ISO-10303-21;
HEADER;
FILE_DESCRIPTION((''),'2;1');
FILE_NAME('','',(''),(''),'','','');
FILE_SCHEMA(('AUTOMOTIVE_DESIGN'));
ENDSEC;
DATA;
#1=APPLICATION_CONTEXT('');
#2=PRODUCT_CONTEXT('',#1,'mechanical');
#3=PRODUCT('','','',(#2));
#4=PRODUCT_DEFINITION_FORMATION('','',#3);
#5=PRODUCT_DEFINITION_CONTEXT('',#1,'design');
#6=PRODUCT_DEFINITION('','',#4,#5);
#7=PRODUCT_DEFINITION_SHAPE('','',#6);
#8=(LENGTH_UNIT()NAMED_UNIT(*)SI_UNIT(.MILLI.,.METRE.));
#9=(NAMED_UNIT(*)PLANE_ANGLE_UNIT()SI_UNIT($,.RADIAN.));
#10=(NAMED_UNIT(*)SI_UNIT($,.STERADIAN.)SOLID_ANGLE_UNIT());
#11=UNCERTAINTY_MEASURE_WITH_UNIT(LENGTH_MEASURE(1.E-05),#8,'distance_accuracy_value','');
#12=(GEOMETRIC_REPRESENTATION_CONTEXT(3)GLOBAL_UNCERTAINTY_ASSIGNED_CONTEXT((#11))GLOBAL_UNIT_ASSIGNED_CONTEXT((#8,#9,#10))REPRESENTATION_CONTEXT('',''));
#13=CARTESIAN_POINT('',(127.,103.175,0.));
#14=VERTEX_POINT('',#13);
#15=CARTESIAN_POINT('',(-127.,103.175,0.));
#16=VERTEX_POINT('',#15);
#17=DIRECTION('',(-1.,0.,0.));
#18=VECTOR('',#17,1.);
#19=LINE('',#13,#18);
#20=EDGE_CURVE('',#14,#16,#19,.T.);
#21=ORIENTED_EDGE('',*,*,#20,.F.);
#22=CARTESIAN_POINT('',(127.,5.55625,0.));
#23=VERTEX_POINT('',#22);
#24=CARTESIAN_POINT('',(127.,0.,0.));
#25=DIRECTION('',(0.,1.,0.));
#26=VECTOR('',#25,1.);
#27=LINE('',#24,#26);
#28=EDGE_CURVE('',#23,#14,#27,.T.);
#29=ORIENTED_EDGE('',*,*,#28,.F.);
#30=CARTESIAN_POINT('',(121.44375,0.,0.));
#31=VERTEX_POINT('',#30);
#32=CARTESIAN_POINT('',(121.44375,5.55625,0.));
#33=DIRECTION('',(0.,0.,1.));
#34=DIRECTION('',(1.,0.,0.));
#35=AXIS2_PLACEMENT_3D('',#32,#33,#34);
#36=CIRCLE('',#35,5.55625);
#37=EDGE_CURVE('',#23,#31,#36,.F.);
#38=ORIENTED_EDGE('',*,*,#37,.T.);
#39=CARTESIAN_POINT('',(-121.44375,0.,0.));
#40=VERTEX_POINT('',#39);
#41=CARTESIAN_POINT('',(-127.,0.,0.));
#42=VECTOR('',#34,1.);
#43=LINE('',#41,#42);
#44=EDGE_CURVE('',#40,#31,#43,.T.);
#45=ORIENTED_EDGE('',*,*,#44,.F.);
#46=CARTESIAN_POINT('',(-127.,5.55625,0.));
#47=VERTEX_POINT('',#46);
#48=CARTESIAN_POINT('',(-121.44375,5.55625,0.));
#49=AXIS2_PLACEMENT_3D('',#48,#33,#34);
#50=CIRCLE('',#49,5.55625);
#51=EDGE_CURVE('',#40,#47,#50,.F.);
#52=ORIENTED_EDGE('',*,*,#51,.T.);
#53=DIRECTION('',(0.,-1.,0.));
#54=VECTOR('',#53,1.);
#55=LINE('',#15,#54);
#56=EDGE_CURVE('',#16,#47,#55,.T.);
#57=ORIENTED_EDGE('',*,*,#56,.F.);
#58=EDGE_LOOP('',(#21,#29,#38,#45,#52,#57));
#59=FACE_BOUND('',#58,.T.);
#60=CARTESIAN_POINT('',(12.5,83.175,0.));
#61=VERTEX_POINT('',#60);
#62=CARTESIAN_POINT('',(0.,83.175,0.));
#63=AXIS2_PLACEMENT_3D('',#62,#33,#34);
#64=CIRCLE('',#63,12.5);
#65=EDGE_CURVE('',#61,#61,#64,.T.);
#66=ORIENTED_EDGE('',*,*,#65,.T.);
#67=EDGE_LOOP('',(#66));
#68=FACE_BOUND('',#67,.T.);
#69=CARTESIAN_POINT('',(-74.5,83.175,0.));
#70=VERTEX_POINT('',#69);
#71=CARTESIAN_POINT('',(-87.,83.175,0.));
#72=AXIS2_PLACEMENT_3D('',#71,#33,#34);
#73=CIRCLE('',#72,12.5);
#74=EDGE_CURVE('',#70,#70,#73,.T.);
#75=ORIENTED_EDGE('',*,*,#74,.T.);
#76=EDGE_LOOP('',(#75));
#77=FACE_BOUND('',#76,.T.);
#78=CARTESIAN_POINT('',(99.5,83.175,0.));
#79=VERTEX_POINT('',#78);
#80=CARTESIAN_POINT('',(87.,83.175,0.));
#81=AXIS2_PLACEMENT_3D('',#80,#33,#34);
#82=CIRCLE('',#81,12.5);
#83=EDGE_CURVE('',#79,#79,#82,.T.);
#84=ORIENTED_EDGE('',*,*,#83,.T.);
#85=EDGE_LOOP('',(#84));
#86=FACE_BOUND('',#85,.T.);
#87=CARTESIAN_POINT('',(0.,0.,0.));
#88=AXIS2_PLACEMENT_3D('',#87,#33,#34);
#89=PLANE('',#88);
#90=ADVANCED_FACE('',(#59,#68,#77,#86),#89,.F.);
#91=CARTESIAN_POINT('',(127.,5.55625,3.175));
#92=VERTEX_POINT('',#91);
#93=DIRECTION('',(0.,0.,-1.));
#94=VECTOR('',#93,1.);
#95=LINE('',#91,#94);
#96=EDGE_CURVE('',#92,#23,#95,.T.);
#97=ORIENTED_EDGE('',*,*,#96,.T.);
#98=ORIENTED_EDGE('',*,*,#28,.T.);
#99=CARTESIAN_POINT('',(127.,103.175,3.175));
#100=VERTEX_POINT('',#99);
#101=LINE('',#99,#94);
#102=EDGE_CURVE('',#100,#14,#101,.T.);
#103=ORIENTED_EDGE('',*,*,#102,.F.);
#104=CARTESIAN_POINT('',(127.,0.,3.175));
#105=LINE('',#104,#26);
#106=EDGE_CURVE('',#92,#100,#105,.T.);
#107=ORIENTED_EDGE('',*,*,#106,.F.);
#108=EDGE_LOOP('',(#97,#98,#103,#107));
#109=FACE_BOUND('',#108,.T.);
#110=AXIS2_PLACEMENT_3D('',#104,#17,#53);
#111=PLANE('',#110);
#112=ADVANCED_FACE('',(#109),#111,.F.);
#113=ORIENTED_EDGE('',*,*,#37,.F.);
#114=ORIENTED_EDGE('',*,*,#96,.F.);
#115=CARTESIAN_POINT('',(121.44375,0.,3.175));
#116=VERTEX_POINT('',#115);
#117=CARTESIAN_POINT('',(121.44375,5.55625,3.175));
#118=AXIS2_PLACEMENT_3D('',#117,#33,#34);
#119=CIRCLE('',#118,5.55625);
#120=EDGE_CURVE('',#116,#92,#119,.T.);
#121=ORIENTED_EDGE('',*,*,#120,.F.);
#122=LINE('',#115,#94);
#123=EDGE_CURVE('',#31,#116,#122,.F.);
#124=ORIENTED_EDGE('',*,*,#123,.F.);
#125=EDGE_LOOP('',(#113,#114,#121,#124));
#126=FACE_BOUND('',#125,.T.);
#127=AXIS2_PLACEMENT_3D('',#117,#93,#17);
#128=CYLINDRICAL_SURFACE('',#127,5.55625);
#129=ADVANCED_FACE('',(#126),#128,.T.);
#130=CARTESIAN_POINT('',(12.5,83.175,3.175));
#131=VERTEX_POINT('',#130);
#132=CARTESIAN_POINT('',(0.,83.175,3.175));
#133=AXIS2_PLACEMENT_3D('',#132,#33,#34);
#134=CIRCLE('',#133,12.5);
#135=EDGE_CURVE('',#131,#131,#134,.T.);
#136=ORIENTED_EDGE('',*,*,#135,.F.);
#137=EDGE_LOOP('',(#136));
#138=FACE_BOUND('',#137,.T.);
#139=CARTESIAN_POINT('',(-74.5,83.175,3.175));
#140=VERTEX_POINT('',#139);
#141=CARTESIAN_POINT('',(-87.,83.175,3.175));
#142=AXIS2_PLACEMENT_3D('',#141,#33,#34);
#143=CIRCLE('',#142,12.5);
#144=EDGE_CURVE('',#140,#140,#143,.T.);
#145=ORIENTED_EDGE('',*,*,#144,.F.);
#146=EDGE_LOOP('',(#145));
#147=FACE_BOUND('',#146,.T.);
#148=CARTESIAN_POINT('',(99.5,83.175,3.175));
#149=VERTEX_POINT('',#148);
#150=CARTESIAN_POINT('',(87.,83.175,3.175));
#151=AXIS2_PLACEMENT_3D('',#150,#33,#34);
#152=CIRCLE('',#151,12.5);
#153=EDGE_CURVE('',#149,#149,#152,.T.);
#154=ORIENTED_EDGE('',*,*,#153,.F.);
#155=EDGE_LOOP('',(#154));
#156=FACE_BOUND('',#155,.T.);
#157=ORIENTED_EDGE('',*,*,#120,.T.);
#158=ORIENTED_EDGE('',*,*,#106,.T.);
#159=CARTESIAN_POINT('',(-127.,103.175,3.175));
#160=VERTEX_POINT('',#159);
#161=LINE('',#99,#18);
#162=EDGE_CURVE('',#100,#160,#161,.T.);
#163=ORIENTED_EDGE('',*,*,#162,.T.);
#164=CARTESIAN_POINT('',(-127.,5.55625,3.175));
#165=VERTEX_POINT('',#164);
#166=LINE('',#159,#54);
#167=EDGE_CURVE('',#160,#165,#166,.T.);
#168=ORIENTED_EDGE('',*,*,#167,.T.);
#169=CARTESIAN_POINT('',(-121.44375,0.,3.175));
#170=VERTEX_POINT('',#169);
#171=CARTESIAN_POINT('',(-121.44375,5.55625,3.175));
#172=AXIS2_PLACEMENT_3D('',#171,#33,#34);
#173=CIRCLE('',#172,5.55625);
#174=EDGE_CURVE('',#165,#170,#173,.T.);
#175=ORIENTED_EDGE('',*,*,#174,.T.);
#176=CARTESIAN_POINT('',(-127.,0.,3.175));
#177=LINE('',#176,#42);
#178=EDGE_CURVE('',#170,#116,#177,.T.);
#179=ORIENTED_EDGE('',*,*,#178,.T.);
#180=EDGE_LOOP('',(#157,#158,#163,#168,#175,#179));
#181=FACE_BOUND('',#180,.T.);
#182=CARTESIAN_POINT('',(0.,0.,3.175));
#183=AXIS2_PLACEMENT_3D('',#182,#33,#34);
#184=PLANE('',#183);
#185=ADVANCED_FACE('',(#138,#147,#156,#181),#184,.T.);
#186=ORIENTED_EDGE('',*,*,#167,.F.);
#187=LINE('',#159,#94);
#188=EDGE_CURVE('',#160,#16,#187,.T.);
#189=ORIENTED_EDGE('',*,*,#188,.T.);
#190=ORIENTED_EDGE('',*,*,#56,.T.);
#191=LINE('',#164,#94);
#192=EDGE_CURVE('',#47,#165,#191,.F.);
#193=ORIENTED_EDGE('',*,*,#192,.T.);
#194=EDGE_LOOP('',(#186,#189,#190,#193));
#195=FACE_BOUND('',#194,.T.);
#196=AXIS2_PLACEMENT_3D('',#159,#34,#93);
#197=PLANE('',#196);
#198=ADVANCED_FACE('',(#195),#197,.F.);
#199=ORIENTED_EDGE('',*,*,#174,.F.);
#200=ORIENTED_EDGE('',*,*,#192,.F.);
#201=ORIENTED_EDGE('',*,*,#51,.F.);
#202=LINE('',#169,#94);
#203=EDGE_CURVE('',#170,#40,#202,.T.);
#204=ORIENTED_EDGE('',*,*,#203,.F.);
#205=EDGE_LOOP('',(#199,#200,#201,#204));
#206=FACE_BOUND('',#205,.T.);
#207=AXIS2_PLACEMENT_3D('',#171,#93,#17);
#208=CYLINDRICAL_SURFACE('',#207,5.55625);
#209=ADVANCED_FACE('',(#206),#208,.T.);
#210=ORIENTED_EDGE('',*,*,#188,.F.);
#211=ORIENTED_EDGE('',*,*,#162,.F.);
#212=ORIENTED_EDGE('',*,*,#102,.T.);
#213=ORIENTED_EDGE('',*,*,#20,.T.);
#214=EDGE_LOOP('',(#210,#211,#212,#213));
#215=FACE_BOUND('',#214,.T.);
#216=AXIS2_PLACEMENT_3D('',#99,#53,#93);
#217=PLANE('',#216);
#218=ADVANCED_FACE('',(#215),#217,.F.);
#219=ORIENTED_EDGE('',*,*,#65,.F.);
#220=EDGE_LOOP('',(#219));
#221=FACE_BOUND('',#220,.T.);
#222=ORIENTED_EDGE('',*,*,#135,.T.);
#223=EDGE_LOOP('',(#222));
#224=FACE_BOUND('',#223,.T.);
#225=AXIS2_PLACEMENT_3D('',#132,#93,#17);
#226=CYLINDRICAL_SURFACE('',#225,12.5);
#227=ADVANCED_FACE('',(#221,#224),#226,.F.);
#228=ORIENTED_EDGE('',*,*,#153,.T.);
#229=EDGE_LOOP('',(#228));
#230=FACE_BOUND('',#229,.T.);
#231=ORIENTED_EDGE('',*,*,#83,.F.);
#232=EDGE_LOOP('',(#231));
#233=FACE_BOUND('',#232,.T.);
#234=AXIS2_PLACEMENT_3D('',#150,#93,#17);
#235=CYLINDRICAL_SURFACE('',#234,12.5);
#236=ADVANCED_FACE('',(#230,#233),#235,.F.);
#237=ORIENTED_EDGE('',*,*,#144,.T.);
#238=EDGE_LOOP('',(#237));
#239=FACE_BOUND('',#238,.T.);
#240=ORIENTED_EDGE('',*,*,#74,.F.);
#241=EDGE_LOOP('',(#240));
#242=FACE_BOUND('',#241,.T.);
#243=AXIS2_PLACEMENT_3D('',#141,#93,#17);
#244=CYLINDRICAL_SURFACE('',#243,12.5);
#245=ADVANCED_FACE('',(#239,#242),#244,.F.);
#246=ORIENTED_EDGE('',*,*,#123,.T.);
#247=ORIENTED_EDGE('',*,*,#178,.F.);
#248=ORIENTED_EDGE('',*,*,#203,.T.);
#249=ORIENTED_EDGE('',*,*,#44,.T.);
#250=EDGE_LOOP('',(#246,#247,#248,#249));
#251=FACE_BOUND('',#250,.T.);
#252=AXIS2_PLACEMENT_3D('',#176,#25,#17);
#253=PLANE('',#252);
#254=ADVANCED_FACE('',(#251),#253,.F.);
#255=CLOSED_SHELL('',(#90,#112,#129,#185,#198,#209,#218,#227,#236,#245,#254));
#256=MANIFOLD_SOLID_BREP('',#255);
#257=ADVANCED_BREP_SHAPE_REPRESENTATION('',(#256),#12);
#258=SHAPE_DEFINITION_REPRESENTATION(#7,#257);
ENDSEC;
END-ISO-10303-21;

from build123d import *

# Parameters (mm, degrees)
SKETCH1_W           = 254
SKETCH1_H           = 103.175
SKETCH1_R           = 12.5
BOSS_EXTRUDE1_DEPTH = 3.175
FILLET1_R           = 5.55625


with BuildPart() as part:
    # Sketch1 → Boss-Extrude1 (new body)
    with BuildSketch(Plane.XY):
        with Locations((0, 51.5875)):
            Rectangle(SKETCH1_W, SKETCH1_H)
        with Locations((87, 83.175)):
            Circle(SKETCH1_R, mode=Mode.SUBTRACT)
        with Locations((-87, 83.175)):
            Circle(SKETCH1_R, mode=Mode.SUBTRACT)
        with Locations((0, 83.175)):
            Circle(SKETCH1_R, mode=Mode.SUBTRACT)
    extrude(amount=BOSS_EXTRUDE1_DEPTH)

    # Fillet1
    fillet1_edges = [part.edges().sort_by_distance(p)[0] for p in [
        (127, 0, 1.5875),
        (-127, 0, 1.5875),
    ]]
    fillet(fillet1_edges, radius=FILLET1_R)


solid = part.part
